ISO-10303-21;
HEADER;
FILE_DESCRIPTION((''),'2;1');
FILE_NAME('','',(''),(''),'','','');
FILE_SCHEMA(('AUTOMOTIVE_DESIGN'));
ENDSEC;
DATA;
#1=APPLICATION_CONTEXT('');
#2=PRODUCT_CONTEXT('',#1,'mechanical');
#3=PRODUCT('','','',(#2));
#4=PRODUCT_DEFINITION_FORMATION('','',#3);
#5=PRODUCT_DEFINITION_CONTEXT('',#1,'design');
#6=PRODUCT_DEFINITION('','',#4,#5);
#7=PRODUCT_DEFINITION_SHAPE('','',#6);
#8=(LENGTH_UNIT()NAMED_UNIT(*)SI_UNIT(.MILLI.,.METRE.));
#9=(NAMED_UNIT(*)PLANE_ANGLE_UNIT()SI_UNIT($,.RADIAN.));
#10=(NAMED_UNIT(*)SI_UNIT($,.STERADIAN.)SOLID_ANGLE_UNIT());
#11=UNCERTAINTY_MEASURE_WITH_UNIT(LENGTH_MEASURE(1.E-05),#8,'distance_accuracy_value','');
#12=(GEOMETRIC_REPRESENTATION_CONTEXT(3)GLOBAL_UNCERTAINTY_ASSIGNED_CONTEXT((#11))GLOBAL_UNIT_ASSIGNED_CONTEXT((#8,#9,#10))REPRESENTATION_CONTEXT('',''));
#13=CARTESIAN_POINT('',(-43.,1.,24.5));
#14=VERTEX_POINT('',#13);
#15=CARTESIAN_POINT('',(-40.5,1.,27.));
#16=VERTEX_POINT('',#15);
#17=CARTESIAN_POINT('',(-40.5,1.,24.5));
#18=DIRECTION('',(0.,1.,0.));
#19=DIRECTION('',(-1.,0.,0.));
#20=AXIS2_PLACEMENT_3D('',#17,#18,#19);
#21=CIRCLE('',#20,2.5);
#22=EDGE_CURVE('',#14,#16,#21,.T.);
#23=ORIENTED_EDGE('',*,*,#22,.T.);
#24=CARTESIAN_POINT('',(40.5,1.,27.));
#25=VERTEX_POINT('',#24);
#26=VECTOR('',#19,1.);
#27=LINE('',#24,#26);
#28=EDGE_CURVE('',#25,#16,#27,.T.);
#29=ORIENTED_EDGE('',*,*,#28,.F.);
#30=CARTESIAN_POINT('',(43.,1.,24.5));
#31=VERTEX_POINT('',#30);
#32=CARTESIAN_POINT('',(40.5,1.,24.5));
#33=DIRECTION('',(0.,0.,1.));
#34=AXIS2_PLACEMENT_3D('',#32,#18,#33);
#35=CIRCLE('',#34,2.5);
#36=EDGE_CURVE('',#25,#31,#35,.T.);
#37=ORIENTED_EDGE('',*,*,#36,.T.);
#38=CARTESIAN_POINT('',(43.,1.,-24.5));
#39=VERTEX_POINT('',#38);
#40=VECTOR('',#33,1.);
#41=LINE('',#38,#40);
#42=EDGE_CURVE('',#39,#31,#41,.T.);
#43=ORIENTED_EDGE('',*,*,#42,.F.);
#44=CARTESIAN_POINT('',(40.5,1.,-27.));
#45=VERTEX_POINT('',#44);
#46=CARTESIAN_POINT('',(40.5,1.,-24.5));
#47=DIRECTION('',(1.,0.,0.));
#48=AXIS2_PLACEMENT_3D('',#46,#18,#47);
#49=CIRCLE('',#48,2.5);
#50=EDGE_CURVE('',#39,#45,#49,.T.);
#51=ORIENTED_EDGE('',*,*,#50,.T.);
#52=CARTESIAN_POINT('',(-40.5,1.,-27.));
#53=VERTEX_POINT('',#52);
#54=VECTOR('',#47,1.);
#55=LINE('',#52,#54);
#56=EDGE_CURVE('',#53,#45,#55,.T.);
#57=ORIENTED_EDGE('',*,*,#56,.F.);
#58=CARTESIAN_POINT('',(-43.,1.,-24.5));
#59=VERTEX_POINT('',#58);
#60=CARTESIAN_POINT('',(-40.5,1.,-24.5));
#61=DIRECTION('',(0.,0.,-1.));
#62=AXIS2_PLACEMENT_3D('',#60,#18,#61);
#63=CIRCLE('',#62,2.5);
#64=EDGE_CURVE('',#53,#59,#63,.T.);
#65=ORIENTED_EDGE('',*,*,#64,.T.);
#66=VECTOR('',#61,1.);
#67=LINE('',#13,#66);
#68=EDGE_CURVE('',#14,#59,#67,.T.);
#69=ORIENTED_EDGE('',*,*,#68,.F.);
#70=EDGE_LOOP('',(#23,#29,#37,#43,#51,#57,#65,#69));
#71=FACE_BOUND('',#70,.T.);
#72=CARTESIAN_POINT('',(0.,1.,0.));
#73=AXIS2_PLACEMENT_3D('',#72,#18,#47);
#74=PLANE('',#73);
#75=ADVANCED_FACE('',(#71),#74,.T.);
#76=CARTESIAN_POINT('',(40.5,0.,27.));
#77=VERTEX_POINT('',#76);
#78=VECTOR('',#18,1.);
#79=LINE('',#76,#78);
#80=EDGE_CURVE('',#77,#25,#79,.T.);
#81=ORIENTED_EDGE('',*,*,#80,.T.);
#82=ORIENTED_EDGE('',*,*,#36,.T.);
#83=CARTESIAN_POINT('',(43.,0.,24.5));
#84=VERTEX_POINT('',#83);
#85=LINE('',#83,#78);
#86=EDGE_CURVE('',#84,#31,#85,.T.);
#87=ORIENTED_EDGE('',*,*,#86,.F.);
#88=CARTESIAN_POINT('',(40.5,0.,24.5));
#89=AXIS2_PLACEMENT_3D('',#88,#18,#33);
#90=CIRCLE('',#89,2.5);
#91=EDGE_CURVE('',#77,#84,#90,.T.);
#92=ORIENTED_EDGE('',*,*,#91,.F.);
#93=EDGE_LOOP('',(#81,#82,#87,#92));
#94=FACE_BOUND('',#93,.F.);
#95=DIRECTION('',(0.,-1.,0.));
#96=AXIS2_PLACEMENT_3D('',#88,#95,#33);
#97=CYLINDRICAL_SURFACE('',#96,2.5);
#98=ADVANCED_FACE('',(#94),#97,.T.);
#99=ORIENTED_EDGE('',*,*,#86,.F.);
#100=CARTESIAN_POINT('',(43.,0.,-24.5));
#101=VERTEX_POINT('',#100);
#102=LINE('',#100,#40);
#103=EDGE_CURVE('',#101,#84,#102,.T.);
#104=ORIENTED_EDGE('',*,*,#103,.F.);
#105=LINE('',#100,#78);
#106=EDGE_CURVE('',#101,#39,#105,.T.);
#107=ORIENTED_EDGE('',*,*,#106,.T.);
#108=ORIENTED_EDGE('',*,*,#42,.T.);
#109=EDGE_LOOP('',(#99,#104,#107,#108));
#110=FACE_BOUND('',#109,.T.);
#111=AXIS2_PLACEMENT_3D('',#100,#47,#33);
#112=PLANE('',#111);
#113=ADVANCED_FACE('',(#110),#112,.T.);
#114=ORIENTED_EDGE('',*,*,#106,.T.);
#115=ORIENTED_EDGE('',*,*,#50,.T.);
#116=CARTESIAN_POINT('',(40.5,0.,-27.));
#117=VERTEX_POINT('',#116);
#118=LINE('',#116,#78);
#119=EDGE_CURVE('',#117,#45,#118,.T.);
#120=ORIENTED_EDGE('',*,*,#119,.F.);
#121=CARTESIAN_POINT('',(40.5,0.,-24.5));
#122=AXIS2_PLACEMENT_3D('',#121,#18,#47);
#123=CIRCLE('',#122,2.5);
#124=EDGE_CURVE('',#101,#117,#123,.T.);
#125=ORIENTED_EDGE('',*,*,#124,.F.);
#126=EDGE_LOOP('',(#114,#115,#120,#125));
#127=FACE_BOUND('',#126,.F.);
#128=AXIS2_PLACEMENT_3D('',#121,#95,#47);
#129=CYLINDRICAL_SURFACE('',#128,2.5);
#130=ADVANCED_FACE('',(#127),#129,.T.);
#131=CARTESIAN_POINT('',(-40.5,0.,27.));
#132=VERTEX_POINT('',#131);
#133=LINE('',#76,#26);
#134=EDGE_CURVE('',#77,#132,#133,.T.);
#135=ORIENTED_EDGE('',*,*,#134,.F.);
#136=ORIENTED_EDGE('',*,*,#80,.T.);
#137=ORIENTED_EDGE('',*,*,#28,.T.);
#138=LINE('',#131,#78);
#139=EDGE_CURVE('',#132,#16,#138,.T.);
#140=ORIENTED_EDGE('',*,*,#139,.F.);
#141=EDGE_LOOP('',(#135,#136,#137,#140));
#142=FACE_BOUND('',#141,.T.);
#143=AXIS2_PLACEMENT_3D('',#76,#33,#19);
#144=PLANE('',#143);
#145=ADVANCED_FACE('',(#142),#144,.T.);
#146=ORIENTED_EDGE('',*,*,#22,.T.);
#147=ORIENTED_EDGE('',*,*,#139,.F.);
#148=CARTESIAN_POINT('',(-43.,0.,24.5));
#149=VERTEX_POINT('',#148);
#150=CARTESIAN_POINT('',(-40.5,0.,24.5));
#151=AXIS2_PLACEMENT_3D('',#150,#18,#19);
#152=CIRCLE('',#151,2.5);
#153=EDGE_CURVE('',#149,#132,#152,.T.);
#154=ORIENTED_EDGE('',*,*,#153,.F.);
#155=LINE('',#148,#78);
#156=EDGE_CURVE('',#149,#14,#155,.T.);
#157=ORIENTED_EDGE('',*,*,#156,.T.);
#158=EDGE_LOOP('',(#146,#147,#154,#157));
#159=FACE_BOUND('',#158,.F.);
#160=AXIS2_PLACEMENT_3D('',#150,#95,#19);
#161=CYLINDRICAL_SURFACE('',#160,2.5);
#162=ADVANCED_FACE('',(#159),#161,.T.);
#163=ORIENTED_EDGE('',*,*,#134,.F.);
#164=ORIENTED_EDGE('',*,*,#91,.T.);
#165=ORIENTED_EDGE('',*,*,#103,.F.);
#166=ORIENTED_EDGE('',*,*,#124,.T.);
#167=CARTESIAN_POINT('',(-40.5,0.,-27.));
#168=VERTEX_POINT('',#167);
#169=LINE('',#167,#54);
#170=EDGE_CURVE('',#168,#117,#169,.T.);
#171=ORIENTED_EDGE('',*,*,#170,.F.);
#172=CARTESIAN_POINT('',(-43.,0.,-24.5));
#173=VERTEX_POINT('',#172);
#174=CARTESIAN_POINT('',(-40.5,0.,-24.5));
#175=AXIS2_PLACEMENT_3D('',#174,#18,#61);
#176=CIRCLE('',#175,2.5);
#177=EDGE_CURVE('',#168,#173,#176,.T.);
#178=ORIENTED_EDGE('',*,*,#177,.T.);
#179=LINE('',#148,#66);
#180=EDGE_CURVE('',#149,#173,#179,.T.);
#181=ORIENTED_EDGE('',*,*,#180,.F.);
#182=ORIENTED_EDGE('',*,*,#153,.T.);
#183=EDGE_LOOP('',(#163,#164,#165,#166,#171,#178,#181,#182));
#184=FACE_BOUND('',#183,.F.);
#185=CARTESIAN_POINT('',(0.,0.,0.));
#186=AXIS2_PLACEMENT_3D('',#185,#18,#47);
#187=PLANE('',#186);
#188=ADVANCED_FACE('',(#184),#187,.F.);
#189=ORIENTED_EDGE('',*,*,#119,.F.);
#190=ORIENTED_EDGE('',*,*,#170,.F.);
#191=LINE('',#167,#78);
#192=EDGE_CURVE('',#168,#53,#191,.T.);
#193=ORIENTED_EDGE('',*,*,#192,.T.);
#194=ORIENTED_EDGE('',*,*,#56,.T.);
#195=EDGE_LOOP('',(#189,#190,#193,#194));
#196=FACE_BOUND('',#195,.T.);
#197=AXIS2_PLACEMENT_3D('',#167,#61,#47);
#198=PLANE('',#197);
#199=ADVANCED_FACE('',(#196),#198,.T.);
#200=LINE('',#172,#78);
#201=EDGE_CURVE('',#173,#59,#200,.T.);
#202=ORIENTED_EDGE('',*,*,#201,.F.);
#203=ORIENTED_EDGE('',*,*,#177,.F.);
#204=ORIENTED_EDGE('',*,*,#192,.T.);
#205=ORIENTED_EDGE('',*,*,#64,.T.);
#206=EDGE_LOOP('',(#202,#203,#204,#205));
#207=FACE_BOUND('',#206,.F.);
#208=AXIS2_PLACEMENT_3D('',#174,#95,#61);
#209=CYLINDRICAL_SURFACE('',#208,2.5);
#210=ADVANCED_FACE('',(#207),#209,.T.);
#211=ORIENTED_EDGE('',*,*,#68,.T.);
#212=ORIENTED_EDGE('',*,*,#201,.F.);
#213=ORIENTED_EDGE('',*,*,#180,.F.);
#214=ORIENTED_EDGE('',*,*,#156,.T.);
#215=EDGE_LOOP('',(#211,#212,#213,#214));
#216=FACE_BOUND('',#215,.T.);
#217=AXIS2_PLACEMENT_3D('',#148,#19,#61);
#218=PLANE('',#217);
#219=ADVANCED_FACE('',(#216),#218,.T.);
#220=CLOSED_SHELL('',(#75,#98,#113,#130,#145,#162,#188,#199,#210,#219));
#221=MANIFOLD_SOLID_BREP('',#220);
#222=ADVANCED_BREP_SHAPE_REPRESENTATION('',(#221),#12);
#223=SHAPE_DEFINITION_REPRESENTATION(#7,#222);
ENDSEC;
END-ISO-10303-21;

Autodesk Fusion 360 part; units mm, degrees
sketch "Sketch1" plane through (0, 0, 0) normal (0, 1, 0) x (1, 0, 0)
  line L0 (40.5, -27) -> (-40.5, -27)
  line L1 (-43, -24.5) -> (-43, 24.5)
  line L2 (-40.5, 27) -> (40.5, 27)
  line L3 (43, 24.5) -> (43, -24.5)
  line L4 (43, -27) -> (-43, 27) construction
  line L5 (-43, -27) -> (43, 27) construction
  arc A0 (-40.5, 27) -> (-43, 24.5) centre (-40.5, 24.5) ccw
  arc A1 (43, 24.5) -> (40.5, 27) centre (40.5, 24.5) ccw
  arc A2 (40.5, -27) -> (43, -24.5) centre (40.5, -24.5) ccw
  arc A3 (-43, -24.5) -> (-40.5, -27) centre (-40.5, -24.5) ccw
  dimension "d1" = 86
  dimension "d2" = 54
  dimension "d5" = 2.5
  dimension "d6" = 2.5
  dimension "d7" = 2.5
  dimension "d8" = 2.5
extrude "Extrude1" add sketch "Sketch1" along normal blind 1
